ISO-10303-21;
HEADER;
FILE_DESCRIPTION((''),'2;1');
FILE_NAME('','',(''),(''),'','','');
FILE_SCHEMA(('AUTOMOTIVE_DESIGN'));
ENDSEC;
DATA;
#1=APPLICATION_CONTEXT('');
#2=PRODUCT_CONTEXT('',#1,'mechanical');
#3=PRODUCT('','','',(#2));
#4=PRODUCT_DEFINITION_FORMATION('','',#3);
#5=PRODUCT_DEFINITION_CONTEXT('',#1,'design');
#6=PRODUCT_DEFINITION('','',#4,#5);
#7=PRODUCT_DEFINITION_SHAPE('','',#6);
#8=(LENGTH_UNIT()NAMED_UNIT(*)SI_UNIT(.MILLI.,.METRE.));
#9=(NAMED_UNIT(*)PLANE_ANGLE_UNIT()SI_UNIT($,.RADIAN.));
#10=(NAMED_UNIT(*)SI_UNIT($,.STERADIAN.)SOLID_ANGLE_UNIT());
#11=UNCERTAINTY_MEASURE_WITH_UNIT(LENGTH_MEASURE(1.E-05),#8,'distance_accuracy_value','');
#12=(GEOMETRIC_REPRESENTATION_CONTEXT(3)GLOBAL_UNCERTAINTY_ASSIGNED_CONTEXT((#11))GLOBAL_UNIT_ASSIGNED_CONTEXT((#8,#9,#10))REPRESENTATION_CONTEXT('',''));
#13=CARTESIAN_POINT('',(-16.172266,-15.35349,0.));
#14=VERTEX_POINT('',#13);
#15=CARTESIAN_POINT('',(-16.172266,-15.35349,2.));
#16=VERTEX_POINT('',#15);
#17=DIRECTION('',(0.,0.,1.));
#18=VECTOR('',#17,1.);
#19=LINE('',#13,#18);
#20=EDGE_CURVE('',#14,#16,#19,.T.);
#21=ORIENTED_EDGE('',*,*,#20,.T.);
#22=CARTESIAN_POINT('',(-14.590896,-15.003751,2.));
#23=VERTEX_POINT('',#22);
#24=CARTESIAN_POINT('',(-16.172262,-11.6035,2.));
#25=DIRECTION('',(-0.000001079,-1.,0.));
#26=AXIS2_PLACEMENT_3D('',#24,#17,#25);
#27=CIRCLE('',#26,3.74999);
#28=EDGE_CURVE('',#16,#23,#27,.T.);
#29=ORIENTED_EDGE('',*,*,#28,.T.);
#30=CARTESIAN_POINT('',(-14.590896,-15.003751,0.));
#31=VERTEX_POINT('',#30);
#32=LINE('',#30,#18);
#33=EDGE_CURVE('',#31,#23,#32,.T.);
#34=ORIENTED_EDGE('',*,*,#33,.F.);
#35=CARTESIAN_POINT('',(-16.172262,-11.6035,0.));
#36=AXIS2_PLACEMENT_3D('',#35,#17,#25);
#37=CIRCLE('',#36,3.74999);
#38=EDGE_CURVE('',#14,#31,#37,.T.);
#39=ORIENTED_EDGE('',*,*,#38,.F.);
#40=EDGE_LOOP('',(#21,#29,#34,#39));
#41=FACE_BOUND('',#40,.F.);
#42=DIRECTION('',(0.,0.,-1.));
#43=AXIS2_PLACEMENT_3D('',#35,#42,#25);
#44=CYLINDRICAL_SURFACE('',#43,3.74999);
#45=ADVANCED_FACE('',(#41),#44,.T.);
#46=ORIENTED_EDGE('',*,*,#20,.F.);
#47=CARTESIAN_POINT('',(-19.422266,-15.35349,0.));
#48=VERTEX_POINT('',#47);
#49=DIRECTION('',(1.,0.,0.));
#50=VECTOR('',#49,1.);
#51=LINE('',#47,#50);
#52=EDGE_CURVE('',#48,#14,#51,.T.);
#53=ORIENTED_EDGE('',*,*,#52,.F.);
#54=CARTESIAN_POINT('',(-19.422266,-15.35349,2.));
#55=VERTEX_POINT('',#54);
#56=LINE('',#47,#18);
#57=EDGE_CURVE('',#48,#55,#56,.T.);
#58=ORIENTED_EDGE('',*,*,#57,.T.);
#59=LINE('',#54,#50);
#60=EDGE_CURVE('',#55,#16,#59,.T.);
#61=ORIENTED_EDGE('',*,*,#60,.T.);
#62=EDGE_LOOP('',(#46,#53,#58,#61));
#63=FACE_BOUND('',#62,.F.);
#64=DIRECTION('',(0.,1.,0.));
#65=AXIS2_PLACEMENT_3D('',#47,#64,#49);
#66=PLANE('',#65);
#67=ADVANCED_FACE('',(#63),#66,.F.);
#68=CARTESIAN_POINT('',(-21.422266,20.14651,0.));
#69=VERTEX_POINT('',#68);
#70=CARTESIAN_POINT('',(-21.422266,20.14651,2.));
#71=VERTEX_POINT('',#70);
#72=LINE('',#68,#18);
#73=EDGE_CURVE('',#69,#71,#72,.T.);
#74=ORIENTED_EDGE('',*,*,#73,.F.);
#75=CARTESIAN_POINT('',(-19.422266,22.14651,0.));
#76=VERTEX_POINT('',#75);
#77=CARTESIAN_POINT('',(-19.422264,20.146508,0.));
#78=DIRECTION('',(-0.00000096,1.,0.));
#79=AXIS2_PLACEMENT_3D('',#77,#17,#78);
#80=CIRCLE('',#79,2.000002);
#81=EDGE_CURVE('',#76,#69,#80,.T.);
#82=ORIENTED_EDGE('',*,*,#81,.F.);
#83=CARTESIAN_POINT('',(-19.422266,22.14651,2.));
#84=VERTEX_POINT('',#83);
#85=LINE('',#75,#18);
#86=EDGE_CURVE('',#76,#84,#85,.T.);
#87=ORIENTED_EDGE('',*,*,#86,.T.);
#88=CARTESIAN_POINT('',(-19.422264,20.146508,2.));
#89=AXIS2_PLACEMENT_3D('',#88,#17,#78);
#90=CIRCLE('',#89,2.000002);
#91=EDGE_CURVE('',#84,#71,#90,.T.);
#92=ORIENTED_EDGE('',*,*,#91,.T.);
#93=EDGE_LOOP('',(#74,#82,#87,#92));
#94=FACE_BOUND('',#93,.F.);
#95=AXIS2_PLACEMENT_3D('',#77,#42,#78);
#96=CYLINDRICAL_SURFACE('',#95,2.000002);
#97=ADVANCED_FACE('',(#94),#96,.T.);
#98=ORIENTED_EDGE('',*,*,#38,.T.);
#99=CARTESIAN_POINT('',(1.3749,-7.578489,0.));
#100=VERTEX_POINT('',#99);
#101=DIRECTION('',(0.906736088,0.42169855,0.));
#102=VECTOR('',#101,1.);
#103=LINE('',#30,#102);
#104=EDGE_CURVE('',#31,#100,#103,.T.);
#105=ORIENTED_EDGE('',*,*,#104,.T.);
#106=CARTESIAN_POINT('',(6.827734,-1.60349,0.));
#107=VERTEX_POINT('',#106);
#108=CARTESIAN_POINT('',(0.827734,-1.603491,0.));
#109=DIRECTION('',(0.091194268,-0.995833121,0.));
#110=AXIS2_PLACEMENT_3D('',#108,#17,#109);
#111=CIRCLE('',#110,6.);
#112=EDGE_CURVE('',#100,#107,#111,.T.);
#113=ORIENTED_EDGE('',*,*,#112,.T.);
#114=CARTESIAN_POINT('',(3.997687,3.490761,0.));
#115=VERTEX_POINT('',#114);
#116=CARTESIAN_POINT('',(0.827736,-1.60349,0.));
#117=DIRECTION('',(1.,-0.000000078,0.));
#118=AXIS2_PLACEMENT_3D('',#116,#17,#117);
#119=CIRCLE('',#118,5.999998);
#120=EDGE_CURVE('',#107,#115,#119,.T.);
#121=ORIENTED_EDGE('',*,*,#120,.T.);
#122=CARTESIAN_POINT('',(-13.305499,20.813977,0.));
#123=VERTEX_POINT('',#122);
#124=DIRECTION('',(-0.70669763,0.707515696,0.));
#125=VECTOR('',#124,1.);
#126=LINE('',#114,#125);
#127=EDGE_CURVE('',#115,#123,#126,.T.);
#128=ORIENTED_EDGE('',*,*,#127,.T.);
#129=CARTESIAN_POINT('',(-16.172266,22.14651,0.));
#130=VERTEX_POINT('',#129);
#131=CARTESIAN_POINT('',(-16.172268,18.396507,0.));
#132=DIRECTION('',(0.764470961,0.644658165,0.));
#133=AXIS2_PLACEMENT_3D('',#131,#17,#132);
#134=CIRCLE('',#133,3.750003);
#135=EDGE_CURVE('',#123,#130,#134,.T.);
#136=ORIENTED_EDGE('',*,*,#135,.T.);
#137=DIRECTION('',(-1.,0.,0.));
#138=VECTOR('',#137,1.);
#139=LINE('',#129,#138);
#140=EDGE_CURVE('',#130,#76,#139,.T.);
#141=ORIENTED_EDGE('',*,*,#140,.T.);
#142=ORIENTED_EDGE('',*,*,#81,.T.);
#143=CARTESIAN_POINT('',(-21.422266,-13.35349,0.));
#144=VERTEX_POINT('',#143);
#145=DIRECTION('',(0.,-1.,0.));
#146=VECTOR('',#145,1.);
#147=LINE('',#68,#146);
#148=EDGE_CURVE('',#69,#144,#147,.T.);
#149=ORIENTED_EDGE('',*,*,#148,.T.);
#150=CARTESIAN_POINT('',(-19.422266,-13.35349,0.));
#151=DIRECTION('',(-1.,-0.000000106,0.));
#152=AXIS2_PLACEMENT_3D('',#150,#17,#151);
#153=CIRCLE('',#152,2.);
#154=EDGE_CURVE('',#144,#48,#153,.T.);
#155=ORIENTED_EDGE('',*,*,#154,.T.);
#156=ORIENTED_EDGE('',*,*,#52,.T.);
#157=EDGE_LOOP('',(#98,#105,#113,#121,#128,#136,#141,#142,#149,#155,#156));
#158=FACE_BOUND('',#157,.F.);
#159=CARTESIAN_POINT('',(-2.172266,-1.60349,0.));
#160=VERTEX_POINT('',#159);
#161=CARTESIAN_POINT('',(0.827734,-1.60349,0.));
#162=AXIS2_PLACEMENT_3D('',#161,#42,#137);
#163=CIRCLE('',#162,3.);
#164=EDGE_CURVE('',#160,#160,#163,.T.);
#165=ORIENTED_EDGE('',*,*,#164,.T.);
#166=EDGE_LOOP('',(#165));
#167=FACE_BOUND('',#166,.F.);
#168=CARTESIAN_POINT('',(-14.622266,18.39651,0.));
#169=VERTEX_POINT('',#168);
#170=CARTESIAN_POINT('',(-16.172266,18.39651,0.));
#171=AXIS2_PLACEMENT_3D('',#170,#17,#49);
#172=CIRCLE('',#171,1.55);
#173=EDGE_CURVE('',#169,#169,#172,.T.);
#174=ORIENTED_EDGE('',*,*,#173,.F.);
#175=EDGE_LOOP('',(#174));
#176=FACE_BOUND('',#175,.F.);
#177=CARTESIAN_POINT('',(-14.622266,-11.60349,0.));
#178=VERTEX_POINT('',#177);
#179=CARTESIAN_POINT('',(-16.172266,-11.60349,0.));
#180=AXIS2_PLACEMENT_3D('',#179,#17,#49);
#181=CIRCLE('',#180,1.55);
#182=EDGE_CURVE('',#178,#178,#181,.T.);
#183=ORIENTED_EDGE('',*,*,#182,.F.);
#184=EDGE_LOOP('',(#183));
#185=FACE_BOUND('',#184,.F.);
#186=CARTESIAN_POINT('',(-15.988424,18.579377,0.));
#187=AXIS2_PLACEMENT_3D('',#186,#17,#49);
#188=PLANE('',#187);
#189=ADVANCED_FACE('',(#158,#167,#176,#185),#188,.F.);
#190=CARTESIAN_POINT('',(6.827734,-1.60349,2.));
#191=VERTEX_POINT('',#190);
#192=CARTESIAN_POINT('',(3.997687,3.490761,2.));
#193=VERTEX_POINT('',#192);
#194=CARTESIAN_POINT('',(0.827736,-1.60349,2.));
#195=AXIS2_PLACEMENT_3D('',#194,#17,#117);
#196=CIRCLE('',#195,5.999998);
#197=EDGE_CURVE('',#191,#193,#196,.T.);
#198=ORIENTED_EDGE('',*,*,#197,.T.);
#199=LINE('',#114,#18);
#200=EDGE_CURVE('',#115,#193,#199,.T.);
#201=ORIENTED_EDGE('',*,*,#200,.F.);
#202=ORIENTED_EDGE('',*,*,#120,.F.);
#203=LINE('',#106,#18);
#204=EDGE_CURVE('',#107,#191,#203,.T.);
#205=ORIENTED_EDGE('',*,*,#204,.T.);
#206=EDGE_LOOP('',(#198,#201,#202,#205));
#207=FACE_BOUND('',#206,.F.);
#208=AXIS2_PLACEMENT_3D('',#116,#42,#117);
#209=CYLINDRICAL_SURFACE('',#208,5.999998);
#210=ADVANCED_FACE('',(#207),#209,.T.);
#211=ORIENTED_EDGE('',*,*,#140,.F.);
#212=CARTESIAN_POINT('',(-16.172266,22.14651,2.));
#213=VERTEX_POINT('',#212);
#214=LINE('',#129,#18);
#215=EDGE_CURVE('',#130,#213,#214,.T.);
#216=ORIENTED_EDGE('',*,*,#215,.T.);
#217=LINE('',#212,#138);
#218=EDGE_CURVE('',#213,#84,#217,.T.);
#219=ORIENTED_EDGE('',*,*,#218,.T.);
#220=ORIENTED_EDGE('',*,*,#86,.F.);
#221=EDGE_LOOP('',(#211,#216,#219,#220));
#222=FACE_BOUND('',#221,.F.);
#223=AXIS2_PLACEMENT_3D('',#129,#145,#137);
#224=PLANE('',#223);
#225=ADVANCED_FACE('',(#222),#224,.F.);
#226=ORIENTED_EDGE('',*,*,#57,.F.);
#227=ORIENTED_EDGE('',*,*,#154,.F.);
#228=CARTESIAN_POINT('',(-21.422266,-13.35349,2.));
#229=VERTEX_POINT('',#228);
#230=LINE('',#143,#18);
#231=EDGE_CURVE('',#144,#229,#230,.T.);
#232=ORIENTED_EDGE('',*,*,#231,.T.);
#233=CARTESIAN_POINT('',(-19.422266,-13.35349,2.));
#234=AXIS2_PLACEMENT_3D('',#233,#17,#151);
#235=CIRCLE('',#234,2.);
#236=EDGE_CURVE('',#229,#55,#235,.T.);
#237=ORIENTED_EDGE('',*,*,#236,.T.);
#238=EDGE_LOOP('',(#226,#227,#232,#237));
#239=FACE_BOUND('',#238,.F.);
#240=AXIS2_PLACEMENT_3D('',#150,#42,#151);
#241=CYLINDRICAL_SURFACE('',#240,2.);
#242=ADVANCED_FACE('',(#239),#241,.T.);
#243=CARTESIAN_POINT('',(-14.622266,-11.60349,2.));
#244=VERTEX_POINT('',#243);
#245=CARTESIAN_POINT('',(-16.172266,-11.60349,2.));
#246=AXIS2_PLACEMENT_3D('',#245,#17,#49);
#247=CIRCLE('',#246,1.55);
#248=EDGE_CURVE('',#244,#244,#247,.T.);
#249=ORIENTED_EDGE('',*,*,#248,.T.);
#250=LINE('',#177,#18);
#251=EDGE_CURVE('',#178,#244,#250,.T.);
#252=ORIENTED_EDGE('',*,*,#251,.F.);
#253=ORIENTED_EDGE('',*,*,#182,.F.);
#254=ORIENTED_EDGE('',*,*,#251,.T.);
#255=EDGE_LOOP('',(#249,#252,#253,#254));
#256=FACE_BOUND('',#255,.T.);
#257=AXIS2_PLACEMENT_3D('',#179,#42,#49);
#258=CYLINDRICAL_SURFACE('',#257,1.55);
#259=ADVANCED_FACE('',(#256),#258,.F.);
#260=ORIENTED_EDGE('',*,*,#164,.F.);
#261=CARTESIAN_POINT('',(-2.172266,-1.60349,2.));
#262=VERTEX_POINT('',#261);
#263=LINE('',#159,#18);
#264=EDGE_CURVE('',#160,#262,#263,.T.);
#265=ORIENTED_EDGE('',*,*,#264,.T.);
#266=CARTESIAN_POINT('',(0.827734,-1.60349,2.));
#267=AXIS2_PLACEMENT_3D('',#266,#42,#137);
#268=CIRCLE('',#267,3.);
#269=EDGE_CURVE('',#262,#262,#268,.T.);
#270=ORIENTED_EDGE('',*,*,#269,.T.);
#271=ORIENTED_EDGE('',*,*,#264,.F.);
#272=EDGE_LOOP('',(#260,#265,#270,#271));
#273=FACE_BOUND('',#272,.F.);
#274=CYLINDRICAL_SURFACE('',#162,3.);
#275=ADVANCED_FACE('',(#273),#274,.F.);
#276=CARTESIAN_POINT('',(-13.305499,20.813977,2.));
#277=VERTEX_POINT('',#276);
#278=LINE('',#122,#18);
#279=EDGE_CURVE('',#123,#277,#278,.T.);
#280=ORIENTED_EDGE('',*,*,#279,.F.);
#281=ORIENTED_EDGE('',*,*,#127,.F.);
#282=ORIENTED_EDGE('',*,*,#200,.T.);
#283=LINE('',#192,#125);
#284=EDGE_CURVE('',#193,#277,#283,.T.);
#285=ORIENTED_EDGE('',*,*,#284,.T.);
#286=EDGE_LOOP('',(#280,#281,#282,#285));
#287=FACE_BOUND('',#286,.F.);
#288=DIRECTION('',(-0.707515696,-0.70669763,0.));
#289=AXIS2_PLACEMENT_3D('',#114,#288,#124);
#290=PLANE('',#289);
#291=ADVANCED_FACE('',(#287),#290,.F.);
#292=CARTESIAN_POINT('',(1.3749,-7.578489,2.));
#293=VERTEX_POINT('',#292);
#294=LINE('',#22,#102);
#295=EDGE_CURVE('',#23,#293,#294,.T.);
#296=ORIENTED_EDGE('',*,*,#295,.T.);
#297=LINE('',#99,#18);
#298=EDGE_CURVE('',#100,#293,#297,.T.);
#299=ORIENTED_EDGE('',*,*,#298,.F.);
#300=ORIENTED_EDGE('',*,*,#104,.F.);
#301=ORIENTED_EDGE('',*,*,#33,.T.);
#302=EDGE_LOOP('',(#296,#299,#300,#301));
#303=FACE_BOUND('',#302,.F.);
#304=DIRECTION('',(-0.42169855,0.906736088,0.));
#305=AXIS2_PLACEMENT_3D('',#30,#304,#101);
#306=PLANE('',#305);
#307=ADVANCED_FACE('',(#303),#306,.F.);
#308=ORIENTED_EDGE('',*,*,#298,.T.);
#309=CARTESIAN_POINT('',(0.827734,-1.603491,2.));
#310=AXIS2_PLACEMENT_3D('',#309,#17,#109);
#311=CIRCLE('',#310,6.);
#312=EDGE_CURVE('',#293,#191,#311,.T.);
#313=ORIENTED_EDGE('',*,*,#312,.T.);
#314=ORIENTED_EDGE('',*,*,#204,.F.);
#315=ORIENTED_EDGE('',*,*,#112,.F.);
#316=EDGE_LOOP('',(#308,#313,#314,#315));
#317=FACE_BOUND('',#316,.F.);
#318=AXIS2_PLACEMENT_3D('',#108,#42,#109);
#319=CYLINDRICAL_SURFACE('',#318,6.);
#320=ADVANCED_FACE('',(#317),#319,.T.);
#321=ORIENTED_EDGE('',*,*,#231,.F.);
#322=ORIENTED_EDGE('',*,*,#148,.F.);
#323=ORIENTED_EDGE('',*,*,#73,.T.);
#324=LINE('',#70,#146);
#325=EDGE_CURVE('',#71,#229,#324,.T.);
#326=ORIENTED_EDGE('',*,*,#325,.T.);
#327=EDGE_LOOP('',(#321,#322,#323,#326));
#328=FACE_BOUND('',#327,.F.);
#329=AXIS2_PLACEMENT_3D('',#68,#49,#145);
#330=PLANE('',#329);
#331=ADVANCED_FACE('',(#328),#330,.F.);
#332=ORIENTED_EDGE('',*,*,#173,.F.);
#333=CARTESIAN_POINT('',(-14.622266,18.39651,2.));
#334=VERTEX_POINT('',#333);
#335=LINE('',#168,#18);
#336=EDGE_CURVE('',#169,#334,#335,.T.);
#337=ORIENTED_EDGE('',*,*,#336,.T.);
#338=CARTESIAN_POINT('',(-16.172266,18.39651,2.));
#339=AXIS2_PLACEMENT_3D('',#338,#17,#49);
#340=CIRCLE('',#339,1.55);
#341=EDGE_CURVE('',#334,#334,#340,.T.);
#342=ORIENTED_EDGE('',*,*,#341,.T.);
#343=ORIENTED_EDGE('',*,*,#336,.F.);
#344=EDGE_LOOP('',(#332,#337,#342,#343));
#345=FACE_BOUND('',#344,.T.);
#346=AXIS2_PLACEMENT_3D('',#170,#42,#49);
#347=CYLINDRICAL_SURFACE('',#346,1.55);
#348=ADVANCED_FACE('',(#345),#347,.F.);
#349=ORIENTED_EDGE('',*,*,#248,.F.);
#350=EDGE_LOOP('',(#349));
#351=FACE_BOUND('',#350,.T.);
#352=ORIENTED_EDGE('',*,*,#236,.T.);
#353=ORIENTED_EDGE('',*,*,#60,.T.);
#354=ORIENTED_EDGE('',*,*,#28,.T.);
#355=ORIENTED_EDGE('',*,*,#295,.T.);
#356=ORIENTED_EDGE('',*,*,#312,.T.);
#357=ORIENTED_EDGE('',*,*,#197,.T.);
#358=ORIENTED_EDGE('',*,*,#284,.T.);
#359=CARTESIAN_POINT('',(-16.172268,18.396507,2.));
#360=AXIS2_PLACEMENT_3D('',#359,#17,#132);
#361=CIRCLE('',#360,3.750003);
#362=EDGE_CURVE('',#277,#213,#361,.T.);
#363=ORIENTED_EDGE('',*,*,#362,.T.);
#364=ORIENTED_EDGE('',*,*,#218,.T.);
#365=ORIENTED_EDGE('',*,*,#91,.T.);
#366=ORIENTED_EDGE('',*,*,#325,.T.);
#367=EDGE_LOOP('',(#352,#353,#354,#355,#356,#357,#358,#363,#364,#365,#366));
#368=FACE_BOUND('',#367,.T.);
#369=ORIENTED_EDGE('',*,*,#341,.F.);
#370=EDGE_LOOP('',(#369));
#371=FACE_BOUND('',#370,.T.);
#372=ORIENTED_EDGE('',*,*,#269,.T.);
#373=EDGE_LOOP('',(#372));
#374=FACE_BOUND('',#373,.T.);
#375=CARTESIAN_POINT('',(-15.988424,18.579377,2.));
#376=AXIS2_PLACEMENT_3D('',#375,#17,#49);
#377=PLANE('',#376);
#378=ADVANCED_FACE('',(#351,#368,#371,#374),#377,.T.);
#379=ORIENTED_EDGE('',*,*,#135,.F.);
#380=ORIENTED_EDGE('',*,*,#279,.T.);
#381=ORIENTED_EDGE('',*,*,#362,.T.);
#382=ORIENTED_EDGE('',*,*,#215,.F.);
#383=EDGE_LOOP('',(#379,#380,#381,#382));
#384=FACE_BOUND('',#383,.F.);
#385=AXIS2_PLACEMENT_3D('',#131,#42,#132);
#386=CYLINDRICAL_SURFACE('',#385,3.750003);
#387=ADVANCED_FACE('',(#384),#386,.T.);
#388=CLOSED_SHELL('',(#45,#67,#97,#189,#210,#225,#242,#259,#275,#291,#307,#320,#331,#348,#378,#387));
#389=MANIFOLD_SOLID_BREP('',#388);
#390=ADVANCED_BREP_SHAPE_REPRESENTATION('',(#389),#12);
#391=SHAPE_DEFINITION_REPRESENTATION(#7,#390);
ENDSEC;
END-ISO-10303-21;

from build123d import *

# Parameters (mm, degrees)
F0_R     = 1.55
F1_DEPTH = 2


with BuildPart() as f1:
    # F0 (on Top) → F1 (new body)
    with BuildSketch(Plane.XY):
        with BuildLine():
            ThreePointArc((-16.172266, 22.14651), (-18.823916, 15.744859), (-12.422266, 18.39651))
            ThreePointArc((-12.422266, 18.39651), (-12.649988, 19.683391), (-13.305499, 20.813977))
            ThreePointArc((-13.305499, 20.813977), (-14.591602, 21.797098), (-16.172266, 22.14651))
        make_face()
        with Locations((-16.172266, 18.39651)):
            Circle(F0_R, mode=Mode.SUBTRACT)
        with BuildLine():
            ThreePointArc((-13.305499, 20.813977), (-12.649988, 19.683391), (-12.422266, 18.39651))
            ThreePointArc((-12.422266, 18.39651), (-18.823916, 15.744859), (-16.172266, 22.14651))
            Line((-16.172266, 22.14651), (-19.422266, 22.14651))
            ThreePointArc((-19.422266, 22.14651), (-20.836479, 21.560723), (-21.422266, 20.14651))
            Line((-21.422266, 20.14651), (-21.422266, 3.39651))
            Line((-21.422266, 3.39651), (-21.422266, -13.35349))
            ThreePointArc((-21.422266, -13.35349), (-20.836479, -14.767704), (-19.422266, -15.35349))
            Line((-19.422266, -15.35349), (-16.172266, -15.35349))
            ThreePointArc((-16.172266, -15.35349), (-18.823916, -8.95184), (-12.422266, -11.60349))
            ThreePointArc((-12.422266, -11.60349), (-13.01057, -13.619968), (-14.590896, -15.003751))
            Line((-14.590896, -15.003751), (1.3749, -7.578489))
            ThreePointArc((1.3749, -7.578489), (-3.21683, -6.035363), (-5.172266, -1.60349))
            ThreePointArc((-5.172266, -1.60349), (-2.086051, 3.641494), (3.997687, 3.490761))
            Line((3.997687, 3.490761), (-13.305499, 20.813977))
        make_face()
        with BuildLine():
            ThreePointArc((3.827734, -1.60349), (0.827734, 1.39651), (-2.172266, -1.60349))
            ThreePointArc((-2.172266, -1.60349), (0.827734, -4.60349), (3.827734, -1.60349))
        make_face()
        with BuildLine():
            ThreePointArc((6.827734, -1.60349), (6.072718, 1.310295), (3.997687, 3.490761))
            ThreePointArc((3.997687, 3.490761), (-2.086051, 3.641494), (-5.172266, -1.60349))
            ThreePointArc((-5.172266, -1.60349), (-3.21683, -6.035363), (1.3749, -7.578489))
            ThreePointArc((1.3749, -7.578489), (5.259607, -5.648055), (6.827734, -1.60349))
        make_face()
        with BuildLine():
            ThreePointArc((3.827734, -1.60349), (0.827734, -4.60349), (-2.172266, -1.60349))
            ThreePointArc((-2.172266, -1.60349), (0.827734, 1.39651), (3.827734, -1.60349))
        make_face(mode=Mode.SUBTRACT)
        with BuildLine():
            ThreePointArc((-16.172266, -15.35349), (-15.362475, -15.265012), (-14.590896, -15.003751))
            ThreePointArc((-14.590896, -15.003751), (-13.01057, -13.619968), (-12.422266, -11.60349))
            ThreePointArc((-12.422266, -11.60349), (-18.823916, -8.95184), (-16.172266, -15.35349))
        make_face()
        with Locations((-16.172266, -11.60349)):
            Circle(F0_R, mode=Mode.SUBTRACT)
    extrude(amount=F1_DEPTH)


solid = f1.part
